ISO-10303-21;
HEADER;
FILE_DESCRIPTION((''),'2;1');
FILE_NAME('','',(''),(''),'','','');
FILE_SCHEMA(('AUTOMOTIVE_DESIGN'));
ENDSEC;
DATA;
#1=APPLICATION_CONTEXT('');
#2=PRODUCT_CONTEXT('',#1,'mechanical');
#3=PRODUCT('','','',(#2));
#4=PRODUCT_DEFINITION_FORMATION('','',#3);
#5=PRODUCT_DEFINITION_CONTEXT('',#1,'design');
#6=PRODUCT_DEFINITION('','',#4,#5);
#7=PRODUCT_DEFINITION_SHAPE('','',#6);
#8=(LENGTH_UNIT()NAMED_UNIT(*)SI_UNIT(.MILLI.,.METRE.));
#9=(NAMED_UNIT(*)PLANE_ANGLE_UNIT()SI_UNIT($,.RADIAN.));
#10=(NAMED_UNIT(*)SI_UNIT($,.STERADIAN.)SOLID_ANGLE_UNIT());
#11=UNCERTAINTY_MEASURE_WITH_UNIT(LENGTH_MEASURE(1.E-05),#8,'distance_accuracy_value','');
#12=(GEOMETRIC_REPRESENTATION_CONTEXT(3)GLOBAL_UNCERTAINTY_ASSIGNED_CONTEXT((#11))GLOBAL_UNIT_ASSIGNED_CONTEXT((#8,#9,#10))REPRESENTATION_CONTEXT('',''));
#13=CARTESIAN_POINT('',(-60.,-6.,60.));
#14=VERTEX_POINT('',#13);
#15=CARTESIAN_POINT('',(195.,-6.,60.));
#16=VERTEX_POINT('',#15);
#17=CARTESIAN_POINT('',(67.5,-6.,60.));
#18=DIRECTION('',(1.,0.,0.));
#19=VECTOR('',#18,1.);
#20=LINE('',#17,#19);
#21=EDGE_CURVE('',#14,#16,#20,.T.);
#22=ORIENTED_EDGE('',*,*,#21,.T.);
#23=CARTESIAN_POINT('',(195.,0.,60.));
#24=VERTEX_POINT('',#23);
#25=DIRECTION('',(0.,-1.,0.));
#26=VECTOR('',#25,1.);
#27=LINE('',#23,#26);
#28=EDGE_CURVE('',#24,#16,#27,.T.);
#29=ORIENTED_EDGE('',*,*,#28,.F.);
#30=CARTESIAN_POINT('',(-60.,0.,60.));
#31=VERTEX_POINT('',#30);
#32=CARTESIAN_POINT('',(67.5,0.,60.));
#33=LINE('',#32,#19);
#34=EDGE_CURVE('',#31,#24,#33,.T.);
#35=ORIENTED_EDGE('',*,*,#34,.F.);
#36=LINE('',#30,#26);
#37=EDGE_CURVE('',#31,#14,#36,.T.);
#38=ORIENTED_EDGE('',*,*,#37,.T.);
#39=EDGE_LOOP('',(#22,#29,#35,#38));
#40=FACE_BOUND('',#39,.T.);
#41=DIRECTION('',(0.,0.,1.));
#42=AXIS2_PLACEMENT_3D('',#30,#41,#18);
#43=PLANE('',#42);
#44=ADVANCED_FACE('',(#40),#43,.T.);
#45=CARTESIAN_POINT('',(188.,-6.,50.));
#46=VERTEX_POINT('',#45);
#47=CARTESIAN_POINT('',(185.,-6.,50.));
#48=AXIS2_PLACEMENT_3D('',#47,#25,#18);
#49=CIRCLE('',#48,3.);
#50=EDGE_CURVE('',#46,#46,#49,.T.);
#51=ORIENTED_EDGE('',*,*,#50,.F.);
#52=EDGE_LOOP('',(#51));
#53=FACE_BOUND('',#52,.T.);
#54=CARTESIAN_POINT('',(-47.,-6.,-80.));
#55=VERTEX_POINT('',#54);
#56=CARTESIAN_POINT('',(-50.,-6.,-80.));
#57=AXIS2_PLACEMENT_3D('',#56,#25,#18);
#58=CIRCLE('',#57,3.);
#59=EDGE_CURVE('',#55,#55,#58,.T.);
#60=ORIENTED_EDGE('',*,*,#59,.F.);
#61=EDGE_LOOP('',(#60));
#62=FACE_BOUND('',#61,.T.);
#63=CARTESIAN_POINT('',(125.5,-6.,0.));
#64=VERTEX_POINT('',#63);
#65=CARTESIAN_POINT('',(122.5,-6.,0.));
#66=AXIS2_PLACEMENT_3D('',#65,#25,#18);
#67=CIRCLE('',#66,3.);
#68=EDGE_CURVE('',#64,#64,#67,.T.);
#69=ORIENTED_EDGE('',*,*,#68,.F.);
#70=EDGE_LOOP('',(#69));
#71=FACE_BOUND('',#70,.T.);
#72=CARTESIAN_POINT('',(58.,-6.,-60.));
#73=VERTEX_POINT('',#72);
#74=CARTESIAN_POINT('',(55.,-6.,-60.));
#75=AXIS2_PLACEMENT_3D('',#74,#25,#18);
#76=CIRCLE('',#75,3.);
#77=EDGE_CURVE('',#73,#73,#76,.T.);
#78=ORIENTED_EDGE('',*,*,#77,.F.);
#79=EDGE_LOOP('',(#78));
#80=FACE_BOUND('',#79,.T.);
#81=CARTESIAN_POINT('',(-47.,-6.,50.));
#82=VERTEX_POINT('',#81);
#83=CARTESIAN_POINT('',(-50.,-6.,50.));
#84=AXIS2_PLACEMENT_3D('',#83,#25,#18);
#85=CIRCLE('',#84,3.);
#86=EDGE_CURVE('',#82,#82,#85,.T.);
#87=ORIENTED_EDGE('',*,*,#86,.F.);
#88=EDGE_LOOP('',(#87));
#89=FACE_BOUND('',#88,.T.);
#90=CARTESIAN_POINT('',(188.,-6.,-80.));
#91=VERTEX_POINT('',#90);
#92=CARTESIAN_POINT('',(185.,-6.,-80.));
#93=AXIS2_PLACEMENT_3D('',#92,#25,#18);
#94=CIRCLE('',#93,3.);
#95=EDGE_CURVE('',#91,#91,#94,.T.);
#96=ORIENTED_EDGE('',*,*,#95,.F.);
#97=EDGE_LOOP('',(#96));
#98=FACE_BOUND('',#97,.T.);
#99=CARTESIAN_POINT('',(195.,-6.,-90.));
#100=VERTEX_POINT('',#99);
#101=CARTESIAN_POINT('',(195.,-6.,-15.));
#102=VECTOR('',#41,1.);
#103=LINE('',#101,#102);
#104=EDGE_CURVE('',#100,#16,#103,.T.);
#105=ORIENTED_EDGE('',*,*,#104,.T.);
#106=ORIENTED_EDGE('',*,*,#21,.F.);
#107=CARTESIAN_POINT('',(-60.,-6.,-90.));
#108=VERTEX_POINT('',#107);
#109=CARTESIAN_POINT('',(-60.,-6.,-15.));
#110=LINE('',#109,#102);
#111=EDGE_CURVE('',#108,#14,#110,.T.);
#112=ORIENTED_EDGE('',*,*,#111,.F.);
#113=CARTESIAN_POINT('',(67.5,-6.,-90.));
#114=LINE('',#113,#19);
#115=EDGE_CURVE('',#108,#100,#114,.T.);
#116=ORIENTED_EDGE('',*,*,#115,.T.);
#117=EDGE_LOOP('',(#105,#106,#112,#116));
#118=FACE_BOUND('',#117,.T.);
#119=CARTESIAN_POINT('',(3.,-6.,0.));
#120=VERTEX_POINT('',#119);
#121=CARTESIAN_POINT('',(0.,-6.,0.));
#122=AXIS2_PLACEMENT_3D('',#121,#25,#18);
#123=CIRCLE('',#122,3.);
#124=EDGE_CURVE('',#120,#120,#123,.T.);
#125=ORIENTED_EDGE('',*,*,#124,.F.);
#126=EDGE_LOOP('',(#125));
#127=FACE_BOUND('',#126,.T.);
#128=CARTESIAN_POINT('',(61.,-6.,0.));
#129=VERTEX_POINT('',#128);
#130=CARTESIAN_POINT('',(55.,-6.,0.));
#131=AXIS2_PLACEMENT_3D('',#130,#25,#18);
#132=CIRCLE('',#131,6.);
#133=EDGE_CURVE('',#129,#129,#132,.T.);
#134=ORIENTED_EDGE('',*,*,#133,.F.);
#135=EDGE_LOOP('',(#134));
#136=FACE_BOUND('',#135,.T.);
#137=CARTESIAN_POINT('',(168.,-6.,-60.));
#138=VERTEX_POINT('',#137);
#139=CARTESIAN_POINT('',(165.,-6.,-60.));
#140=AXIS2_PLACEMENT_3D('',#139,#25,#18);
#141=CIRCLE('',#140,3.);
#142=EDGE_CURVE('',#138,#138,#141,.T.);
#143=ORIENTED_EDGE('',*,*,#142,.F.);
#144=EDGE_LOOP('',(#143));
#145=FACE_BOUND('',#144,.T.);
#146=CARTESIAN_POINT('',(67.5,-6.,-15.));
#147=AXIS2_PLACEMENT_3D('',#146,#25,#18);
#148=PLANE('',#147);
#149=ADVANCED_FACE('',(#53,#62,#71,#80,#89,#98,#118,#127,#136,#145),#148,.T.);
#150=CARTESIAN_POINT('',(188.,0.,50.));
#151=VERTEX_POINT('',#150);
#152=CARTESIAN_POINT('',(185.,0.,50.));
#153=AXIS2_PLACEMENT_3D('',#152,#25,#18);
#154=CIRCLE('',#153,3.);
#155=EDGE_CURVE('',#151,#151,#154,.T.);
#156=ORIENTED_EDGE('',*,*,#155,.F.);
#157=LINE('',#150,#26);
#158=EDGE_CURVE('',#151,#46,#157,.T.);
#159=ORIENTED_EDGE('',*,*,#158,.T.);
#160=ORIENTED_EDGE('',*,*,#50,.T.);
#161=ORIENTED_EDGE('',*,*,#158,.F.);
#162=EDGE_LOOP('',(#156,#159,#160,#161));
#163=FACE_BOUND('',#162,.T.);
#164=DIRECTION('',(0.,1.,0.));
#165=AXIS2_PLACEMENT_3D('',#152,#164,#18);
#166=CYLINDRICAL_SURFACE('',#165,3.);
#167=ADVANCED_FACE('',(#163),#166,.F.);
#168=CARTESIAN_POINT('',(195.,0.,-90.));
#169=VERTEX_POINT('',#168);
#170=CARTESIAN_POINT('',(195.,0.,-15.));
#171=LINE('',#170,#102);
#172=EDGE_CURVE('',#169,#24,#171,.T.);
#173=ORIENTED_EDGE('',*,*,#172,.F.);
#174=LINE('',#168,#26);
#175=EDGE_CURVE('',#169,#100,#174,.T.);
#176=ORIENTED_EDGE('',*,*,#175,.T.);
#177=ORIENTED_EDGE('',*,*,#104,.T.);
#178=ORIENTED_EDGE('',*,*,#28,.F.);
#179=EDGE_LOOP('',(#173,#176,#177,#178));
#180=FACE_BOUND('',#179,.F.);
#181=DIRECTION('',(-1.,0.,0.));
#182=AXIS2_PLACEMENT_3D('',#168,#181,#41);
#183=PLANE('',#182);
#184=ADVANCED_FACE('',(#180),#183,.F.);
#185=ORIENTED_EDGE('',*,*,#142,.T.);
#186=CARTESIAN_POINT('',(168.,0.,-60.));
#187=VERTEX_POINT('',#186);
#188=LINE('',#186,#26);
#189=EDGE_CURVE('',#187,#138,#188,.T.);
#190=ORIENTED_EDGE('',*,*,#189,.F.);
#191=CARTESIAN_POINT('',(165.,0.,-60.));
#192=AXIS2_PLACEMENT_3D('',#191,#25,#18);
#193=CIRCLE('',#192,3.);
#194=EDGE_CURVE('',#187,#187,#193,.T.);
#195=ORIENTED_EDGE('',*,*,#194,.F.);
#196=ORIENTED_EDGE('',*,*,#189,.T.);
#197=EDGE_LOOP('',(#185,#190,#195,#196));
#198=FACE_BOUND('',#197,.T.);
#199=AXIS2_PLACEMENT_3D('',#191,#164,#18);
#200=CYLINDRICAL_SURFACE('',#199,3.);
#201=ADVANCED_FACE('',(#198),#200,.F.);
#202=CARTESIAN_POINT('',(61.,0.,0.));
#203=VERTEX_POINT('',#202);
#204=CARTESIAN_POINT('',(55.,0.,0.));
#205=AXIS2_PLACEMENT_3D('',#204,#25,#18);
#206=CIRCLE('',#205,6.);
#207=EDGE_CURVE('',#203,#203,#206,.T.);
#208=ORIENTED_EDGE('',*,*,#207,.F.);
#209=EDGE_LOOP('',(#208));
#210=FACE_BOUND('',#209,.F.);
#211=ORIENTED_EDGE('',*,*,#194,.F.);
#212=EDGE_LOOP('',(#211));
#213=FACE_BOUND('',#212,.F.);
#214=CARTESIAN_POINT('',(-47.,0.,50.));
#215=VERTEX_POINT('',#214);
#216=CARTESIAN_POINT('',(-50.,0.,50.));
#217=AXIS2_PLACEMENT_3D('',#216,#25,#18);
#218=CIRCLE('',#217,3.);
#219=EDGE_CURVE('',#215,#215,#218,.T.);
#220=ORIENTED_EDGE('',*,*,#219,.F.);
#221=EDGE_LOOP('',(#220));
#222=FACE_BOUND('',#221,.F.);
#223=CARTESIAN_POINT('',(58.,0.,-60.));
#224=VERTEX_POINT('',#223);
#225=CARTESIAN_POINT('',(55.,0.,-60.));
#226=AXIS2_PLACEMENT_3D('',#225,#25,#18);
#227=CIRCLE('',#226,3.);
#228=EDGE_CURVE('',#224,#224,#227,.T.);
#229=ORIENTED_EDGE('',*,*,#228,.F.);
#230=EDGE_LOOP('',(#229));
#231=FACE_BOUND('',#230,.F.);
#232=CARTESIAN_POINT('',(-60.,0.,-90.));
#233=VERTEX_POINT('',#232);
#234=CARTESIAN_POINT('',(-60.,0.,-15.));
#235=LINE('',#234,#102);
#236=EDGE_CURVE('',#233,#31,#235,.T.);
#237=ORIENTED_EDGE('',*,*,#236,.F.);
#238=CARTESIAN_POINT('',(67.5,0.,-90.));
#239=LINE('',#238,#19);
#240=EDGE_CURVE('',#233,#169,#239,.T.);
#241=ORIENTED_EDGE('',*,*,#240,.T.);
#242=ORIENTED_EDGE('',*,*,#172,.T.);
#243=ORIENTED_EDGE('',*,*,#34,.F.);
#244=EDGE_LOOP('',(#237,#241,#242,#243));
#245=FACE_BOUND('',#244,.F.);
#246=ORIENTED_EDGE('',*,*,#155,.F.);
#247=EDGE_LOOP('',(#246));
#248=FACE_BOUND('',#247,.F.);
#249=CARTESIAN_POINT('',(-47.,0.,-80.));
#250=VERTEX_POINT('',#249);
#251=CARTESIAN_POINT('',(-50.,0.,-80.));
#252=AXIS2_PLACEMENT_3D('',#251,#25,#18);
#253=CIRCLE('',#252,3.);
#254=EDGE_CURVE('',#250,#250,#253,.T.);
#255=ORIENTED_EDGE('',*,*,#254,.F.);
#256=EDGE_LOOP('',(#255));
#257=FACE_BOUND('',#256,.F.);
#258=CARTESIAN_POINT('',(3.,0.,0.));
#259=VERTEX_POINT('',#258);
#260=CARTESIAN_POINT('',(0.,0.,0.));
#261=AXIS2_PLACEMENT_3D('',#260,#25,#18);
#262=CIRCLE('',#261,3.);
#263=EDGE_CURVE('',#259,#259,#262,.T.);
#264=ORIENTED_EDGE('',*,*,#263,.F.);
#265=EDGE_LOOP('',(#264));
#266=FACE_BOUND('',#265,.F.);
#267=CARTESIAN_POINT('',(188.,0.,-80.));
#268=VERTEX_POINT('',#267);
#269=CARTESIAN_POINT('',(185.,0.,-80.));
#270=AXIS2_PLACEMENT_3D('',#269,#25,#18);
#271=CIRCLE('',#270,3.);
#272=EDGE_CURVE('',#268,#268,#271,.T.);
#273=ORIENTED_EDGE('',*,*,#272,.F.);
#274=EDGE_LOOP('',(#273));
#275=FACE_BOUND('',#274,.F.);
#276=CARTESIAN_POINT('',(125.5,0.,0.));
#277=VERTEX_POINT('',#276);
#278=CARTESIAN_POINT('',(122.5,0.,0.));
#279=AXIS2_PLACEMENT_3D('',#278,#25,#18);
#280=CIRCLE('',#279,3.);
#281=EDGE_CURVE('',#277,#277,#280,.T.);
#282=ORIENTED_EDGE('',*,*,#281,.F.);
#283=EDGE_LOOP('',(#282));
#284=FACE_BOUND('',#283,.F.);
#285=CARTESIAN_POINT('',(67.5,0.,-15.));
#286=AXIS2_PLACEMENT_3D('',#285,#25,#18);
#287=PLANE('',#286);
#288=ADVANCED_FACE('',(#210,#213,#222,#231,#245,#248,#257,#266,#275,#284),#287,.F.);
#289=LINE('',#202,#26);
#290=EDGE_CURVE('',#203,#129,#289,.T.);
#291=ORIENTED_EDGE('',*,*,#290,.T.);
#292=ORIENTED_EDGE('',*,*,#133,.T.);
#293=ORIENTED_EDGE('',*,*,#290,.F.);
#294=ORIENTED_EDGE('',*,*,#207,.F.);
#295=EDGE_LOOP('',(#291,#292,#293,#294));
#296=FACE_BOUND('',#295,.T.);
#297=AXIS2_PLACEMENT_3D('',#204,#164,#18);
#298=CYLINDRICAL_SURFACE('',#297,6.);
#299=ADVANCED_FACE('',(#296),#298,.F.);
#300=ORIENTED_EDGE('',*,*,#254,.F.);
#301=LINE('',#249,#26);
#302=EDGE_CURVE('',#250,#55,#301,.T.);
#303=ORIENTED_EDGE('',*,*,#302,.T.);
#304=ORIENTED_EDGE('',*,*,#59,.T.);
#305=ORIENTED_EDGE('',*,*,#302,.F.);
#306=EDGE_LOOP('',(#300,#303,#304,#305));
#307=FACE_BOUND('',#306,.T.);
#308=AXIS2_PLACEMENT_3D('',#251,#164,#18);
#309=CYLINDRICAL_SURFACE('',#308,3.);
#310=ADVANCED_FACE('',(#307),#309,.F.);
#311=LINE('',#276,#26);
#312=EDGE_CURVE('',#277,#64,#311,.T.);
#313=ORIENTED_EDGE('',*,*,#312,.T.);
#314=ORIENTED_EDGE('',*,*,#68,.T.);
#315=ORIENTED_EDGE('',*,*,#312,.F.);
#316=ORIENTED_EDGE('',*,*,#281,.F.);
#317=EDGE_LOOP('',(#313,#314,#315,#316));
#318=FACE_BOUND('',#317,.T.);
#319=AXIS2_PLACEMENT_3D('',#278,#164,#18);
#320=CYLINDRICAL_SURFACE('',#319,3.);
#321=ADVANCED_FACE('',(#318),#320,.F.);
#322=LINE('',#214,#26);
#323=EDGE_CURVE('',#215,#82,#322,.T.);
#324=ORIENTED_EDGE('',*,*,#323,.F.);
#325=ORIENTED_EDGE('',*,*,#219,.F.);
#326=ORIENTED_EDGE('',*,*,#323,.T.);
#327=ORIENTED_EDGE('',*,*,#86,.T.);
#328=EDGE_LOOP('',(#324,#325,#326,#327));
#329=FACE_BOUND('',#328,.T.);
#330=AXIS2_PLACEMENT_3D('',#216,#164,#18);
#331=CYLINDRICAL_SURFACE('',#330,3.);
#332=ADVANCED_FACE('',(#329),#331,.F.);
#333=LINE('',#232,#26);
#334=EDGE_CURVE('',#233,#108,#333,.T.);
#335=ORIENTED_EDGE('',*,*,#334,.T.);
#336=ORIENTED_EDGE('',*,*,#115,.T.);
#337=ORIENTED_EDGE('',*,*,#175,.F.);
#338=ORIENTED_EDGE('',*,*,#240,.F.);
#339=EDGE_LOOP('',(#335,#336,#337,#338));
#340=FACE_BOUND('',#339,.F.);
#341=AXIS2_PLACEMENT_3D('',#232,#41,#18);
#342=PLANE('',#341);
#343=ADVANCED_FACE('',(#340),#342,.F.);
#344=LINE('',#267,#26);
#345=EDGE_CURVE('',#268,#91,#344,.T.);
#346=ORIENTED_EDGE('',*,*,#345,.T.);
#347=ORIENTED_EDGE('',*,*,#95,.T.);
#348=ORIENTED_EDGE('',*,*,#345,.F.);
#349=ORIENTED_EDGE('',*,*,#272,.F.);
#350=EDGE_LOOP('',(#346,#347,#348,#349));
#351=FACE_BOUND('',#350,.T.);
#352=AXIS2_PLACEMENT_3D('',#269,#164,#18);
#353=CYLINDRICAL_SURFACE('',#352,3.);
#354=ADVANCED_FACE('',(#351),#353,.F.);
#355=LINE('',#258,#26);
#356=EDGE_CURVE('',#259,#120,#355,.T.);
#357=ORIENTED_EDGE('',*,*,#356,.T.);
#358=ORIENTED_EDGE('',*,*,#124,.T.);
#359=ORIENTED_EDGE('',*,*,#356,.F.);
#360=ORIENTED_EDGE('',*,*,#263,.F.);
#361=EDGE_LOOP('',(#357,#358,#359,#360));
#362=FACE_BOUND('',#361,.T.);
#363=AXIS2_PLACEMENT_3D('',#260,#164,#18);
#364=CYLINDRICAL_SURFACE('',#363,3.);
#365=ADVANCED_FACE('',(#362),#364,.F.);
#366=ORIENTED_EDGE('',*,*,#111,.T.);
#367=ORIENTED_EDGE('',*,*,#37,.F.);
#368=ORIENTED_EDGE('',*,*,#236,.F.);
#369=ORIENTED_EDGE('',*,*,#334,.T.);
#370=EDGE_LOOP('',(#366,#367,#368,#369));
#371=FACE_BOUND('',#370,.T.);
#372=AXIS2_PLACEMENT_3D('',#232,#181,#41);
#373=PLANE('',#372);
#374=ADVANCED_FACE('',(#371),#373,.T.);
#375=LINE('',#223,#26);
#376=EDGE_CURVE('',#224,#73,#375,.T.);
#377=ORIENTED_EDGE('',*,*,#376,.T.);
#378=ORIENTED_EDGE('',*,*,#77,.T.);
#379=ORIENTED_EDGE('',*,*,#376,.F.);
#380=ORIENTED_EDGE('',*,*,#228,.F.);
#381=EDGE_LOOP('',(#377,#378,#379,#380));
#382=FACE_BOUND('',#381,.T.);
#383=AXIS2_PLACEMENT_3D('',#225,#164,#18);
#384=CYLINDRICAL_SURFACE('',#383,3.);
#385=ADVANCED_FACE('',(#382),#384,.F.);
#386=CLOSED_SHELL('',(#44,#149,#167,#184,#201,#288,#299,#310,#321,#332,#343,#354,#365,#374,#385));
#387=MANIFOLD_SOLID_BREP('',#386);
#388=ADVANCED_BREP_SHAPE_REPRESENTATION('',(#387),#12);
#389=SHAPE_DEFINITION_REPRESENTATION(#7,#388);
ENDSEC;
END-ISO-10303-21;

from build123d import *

# Parameters (mm, degrees)
F0_W     = 255
F0_H     = 150
F0_R     = 3
F0_R_2   = 6
F1_DEPTH = 6


with BuildPart() as f1:
    # F0 (on Front) → F1 (new body)
    with BuildSketch(Plane.XZ):
        with Locations((67.5, -15)):
            Rectangle(F0_W, F0_H)
        with Locations((-50, -80)):
            Circle(F0_R, mode=Mode.SUBTRACT)
        with Locations((55, -60)):
            Circle(F0_R, mode=Mode.SUBTRACT)
        with Locations((185, -80)):
            Circle(F0_R, mode=Mode.SUBTRACT)
        with Locations((165, -60)):
            Circle(F0_R, mode=Mode.SUBTRACT)
        Circle(F0_R, mode=Mode.SUBTRACT)
        with Locations((55, 0)):
            Circle(F0_R_2, mode=Mode.SUBTRACT)
        with Locations((-50, 50)):
            Circle(F0_R, mode=Mode.SUBTRACT)
        with Locations((122.5, 0)):
            Circle(F0_R, mode=Mode.SUBTRACT)
        with Locations((185, 50)):
            Circle(F0_R, mode=Mode.SUBTRACT)
    extrude(amount=F1_DEPTH)


solid = f1.part
